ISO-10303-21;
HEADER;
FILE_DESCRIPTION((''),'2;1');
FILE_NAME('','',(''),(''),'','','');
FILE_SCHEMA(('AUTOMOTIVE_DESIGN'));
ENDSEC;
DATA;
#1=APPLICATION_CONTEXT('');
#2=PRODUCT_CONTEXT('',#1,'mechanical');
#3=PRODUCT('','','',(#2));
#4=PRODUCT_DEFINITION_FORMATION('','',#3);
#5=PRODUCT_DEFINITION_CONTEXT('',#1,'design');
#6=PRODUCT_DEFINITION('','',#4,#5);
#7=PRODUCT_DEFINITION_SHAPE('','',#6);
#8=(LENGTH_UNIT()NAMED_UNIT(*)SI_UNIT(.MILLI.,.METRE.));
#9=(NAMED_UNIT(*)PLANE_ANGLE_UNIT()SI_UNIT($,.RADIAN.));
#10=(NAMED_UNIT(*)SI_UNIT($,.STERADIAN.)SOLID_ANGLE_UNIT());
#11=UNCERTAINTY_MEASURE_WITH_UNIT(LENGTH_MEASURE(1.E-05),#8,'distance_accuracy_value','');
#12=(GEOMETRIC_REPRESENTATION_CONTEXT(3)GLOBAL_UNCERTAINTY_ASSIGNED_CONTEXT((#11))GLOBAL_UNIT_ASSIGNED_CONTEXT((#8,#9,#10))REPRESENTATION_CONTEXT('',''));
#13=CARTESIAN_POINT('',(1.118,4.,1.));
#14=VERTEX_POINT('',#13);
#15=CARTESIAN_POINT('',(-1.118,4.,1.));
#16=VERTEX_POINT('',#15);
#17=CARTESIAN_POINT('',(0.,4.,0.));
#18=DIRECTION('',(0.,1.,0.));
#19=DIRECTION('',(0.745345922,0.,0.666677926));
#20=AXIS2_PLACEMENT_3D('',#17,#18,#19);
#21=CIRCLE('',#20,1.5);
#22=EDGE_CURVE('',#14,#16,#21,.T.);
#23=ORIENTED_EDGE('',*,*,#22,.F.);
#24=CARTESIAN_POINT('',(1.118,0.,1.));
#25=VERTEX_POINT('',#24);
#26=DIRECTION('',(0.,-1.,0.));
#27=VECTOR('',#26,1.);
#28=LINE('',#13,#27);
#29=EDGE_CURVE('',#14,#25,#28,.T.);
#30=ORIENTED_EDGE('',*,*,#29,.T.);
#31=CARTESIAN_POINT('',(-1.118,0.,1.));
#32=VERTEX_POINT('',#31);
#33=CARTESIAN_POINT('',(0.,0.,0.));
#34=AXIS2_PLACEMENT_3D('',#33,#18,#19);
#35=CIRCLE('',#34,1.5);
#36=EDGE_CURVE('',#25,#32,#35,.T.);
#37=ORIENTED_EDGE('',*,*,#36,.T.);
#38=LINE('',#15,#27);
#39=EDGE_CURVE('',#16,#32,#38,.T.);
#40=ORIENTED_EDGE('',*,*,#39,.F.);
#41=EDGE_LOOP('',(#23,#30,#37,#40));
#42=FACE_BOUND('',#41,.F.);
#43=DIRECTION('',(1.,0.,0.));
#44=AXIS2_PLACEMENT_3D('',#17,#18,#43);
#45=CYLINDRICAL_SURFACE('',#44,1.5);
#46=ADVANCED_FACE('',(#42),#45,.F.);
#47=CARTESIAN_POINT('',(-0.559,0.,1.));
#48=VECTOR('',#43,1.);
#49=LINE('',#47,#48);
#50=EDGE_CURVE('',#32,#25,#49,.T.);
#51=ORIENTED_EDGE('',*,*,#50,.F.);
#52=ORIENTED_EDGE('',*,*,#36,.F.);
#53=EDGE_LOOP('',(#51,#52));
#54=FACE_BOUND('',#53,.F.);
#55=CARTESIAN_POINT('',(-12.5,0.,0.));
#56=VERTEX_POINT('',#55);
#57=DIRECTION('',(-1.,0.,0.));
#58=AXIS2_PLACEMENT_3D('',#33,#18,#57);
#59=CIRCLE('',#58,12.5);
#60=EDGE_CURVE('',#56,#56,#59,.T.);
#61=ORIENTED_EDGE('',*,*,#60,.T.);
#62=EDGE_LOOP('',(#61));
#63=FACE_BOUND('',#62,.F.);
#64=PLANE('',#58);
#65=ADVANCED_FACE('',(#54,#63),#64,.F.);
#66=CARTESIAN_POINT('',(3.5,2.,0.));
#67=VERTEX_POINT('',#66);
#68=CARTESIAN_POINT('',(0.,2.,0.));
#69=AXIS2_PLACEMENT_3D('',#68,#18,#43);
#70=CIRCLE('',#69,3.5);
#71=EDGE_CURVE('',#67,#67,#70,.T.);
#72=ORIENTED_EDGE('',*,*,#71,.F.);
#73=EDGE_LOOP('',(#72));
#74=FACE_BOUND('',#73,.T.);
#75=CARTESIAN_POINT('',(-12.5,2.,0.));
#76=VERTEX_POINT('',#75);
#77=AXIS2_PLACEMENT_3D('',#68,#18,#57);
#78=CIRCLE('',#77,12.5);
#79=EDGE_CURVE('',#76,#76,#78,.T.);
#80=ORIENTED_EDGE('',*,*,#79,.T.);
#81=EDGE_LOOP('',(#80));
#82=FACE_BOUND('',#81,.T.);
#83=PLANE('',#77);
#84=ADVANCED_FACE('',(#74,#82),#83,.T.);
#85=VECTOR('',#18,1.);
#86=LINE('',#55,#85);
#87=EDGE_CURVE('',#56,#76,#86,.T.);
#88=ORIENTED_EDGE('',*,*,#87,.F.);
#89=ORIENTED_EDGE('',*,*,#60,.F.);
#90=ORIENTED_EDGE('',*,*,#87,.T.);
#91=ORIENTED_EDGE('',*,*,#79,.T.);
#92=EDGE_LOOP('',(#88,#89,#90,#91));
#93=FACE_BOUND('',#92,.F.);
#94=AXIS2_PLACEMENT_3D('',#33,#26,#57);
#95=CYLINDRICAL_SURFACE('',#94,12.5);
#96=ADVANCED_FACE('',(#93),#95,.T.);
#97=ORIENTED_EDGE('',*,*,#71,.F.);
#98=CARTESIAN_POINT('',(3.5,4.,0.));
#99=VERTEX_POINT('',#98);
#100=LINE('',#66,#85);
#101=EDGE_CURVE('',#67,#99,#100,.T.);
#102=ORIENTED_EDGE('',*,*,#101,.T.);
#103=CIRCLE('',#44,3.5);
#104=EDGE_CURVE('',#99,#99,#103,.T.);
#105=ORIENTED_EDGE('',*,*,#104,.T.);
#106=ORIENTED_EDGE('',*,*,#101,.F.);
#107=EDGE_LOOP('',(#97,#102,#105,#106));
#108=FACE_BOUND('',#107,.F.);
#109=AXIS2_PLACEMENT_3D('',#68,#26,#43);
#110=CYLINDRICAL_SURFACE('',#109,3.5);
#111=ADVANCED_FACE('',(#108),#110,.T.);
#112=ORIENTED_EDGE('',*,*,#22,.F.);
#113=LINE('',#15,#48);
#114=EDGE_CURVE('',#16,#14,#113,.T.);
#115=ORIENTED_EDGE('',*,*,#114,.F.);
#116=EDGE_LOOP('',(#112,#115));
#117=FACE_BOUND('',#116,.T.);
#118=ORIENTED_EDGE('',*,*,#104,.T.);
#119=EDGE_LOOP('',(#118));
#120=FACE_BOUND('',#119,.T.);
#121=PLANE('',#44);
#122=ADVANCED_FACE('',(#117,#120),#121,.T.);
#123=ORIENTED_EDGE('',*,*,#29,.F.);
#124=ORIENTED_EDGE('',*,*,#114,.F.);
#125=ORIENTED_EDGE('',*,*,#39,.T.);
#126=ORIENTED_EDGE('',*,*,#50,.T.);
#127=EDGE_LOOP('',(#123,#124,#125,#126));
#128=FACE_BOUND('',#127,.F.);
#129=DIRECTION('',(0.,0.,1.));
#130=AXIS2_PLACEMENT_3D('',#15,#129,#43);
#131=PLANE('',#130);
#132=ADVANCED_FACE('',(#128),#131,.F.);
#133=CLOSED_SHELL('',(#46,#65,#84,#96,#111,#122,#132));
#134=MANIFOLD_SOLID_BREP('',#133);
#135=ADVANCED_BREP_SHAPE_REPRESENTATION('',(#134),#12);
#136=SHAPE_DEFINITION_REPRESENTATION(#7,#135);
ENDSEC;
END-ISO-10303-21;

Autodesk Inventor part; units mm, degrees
ref_plane "YZ Plane" through (0, 0, 0) normal (1, 0, 0) x (0, 1, 0)
ref_plane "XZ Plane" through (0, 0, 0) normal (0, 1, 0) x (-1, 0, 0)
ref_plane "XY Plane" through (0, 0, 0) normal (0, 0, 1) x (1, 0, 0)
sketch "Esquisse1" plane through (0, 0, 0) normal (0, 1, 0) x (-1, 0, 0)
  circle A0 centre (0, 0) radius 12.5
  dimension "d0" = 25
extrude "Extrusion1" add sketch "Esquisse1" along normal blind 2
sketch "Esquisse2" plane through (0, 2, 0) normal (0, 1, 0) x (1, 0, 0)
  circle A0 centre (0, 0) radius 12.5 projected
  circle A1 centre (0, 0) radius 3.5
  dimension "d3" = 7
extrude "Extrusion2" add sketch "Esquisse2" along normal blind 2 contours A1
sketch "Esquisse3" plane through (0, 4, 0) normal (0, 1, 0) x (1, 0, 0)
  circle A0 centre (0, 0) radius 3.5 projected
  circle A1 centre (0, 0) radius 1.5
  line L0 (-1.118, -1) -> (1.118, -1)
  dimension "d6" = 3
  dimension "d7" = 2.5
extrude "Extrusion3" cut sketch "Esquisse3" against normal through all contours A1 L0 picked at (0.0594, -0.1702)
properties part number "Poulie2"
